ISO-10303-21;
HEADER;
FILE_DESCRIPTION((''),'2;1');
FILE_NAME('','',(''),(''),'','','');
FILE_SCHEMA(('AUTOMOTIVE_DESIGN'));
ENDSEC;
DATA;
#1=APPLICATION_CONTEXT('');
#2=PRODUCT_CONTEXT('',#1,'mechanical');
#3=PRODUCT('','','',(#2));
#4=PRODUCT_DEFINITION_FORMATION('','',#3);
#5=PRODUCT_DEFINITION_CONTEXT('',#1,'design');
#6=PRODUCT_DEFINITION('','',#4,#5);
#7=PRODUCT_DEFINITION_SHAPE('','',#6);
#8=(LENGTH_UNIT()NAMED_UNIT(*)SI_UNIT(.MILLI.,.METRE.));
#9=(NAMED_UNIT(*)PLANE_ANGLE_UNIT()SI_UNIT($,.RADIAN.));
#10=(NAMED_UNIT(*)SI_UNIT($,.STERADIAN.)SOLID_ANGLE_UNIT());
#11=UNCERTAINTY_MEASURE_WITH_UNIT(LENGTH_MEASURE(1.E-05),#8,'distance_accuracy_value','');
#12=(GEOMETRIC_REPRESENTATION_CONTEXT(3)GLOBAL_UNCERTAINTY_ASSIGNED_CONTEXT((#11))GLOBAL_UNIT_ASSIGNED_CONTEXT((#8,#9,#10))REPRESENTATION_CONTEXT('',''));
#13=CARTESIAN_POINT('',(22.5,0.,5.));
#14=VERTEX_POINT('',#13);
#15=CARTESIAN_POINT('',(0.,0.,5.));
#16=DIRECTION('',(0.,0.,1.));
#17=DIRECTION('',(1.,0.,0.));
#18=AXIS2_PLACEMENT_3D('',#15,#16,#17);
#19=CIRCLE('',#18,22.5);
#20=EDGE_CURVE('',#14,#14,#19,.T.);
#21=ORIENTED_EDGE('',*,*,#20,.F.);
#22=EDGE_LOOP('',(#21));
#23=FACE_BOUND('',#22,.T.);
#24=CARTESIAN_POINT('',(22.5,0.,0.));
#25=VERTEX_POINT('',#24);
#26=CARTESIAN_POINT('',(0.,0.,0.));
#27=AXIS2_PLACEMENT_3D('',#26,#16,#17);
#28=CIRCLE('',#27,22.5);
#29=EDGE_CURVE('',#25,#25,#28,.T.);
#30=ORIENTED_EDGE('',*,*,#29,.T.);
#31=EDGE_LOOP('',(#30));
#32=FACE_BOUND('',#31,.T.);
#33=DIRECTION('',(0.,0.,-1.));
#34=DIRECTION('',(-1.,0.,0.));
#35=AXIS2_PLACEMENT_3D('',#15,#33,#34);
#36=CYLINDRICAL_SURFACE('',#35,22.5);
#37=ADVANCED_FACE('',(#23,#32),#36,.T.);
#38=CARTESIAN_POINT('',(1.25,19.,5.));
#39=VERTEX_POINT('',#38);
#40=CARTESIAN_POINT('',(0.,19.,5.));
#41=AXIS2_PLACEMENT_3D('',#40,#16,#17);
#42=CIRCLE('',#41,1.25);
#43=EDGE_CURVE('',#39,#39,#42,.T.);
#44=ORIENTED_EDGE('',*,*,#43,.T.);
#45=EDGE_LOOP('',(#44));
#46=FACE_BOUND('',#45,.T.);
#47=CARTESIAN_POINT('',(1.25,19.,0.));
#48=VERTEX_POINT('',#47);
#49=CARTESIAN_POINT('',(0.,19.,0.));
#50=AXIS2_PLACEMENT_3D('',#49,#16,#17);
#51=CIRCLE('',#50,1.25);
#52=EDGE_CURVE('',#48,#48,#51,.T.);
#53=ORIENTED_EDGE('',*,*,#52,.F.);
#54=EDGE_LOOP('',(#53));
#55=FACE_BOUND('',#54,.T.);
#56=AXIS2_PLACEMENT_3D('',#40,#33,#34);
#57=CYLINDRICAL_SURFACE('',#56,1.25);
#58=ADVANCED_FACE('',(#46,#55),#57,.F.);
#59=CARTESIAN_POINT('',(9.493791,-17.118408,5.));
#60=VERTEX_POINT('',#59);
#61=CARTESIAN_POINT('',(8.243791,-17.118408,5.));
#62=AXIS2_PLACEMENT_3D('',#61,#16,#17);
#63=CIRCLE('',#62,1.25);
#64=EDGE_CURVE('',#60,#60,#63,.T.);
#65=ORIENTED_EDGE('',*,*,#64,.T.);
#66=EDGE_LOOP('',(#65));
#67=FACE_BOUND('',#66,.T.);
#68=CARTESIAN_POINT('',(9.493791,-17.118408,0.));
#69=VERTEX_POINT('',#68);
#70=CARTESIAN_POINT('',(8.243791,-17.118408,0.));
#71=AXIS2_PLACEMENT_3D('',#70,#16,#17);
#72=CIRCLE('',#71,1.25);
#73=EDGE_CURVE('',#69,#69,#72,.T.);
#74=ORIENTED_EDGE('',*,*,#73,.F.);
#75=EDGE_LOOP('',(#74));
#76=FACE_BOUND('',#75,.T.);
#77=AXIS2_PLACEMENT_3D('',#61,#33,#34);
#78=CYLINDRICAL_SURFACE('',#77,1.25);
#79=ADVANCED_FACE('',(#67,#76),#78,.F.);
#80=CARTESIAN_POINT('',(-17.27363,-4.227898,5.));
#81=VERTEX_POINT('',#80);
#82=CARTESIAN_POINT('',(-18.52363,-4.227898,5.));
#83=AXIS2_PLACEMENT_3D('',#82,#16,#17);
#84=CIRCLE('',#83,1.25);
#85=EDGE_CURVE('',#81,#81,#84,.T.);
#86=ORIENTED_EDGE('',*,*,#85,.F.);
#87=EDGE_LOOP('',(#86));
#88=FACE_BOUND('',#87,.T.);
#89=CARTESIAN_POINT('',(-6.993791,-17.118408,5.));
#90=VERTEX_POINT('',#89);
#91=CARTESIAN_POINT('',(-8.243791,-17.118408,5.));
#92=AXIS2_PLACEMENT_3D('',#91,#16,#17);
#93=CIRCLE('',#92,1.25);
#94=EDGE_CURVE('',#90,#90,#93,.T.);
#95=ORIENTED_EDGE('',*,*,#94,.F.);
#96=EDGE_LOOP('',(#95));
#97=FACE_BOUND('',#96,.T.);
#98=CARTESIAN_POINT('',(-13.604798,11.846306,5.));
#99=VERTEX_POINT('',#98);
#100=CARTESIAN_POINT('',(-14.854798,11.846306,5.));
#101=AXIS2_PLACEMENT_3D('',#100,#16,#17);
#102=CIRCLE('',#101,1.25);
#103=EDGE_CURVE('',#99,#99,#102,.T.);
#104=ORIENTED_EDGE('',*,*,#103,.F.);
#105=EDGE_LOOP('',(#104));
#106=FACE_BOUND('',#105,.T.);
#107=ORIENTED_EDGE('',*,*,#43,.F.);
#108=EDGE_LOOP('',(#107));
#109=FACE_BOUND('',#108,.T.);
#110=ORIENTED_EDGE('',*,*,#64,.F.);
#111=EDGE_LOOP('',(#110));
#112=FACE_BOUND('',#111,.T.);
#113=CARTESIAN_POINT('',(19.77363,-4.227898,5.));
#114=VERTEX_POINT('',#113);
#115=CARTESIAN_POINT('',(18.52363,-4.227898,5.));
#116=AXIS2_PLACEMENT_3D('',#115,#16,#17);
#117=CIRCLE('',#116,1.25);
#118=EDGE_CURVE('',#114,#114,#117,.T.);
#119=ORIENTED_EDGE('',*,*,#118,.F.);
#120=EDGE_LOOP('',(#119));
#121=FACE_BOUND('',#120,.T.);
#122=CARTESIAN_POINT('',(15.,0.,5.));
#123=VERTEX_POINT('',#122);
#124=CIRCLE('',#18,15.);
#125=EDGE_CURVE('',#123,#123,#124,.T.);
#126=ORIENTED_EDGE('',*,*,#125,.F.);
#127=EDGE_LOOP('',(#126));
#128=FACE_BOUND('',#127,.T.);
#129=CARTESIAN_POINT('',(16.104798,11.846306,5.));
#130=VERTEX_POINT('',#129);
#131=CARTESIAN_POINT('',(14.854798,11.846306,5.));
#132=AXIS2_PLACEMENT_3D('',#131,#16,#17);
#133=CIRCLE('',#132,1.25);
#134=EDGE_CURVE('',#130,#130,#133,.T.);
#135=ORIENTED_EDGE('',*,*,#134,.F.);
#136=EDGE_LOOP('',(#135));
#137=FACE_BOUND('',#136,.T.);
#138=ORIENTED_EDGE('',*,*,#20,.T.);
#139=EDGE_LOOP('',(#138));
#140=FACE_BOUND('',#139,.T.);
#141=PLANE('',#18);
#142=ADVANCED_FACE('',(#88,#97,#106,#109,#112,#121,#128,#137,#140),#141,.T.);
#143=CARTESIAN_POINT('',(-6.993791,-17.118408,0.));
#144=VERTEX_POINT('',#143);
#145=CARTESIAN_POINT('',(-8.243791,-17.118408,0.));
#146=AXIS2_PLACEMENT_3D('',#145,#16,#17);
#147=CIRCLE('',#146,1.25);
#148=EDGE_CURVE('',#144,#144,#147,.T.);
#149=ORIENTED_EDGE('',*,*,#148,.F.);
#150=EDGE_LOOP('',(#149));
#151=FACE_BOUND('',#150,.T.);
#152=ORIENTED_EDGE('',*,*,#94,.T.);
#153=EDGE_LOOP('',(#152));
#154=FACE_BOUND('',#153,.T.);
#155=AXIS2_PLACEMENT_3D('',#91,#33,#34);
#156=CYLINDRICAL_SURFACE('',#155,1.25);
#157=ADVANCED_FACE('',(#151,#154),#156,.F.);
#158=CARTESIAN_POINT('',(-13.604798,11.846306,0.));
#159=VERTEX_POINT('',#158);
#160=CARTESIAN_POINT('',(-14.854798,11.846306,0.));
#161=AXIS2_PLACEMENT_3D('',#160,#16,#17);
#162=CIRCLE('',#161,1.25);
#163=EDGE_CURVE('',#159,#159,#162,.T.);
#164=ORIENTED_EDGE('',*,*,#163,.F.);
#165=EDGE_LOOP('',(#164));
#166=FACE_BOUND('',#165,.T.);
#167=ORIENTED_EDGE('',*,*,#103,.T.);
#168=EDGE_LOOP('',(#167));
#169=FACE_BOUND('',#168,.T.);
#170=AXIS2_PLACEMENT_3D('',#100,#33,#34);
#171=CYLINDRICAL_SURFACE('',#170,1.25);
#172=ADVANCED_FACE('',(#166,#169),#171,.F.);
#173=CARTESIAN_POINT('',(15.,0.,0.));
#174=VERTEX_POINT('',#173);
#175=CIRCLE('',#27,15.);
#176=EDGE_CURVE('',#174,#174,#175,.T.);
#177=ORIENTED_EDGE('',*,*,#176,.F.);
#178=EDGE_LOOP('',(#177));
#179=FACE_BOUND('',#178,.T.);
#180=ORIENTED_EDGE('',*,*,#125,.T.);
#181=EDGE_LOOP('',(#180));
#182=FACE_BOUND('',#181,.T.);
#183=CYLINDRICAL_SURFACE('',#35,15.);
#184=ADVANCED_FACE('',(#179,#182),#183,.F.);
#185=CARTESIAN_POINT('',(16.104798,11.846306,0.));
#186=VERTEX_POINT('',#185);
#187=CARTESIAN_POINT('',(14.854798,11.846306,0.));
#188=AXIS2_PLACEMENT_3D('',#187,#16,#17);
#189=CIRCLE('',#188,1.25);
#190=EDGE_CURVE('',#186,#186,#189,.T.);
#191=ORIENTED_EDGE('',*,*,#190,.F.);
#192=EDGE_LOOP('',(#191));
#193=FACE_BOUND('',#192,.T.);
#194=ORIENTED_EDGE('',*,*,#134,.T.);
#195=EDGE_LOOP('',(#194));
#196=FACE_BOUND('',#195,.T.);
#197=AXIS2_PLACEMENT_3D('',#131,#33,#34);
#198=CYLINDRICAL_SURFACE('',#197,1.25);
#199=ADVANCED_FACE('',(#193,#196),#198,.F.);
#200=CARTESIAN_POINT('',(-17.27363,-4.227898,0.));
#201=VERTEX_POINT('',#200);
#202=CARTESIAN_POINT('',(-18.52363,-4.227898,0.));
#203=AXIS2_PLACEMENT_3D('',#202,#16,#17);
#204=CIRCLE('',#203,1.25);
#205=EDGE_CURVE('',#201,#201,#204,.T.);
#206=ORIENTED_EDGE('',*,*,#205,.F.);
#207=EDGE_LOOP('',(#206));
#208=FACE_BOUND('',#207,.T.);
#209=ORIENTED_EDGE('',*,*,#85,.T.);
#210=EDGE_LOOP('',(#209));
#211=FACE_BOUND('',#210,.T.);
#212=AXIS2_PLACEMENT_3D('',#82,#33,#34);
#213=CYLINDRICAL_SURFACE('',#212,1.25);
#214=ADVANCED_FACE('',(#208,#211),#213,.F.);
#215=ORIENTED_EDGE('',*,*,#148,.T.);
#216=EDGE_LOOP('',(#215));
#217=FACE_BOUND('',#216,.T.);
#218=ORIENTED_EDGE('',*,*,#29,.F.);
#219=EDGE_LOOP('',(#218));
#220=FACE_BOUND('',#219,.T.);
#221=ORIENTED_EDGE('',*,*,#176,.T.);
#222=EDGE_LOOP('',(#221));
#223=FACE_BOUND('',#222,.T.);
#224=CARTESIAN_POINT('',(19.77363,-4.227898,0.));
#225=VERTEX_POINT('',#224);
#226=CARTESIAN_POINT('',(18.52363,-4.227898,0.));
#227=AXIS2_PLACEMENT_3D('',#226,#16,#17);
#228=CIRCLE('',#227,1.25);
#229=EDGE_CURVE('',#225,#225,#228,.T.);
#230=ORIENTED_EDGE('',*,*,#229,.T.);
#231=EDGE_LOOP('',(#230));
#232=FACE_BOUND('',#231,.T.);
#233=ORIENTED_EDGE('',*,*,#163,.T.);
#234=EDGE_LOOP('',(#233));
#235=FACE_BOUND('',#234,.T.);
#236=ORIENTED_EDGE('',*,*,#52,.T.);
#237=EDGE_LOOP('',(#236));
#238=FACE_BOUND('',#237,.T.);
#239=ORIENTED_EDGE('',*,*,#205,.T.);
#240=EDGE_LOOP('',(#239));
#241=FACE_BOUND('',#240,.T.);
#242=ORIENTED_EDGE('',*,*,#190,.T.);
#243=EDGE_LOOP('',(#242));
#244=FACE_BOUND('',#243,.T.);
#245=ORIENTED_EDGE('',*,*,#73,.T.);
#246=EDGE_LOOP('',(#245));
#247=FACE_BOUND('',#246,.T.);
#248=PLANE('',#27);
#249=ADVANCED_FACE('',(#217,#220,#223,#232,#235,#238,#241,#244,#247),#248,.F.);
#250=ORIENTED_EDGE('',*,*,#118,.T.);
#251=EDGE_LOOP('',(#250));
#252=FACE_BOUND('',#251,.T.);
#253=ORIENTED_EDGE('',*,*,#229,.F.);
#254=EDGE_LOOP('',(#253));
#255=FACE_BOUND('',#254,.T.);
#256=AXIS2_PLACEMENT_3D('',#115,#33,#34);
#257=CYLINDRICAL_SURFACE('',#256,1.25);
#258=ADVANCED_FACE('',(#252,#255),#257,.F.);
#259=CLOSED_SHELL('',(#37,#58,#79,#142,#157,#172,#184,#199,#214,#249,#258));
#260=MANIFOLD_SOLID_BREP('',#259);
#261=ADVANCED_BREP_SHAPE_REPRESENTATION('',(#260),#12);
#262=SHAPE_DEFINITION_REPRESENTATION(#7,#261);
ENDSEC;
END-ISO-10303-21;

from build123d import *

# Parameters (mm, degrees)
SKETCH1_R           = 22.5
SKETCH1_R_2         = 1.25
SKETCH1_R_3         = 15
BOSS_EXTRUDE1_DEPTH = 5


with BuildPart() as part:
    # Sketch1 → Boss-Extrude1 (new body)
    with BuildSketch(Plane.XY):
        Circle(SKETCH1_R)
        with Locations((0, 19)):
            Circle(SKETCH1_R_2, mode=Mode.SUBTRACT)
        with Locations((14.854798167, 11.846306235)):
            Circle(SKETCH1_R_2, mode=Mode.SUBTRACT)
        with Locations((18.523630331, -4.227897745)):
            Circle(SKETCH1_R_2, mode=Mode.SUBTRACT)
        with Locations((8.243791043, -17.11840849)):
            Circle(SKETCH1_R_2, mode=Mode.SUBTRACT)
        with Locations((-8.243791043, -17.11840849)):
            Circle(SKETCH1_R_2, mode=Mode.SUBTRACT)
        with Locations((-18.523630331, -4.227897745)):
            Circle(SKETCH1_R_2, mode=Mode.SUBTRACT)
        Circle(SKETCH1_R_3, mode=Mode.SUBTRACT)
        with Locations((-14.854798167, 11.846306235)):
            Circle(SKETCH1_R_2, mode=Mode.SUBTRACT)
    extrude(amount=BOSS_EXTRUDE1_DEPTH)


solid = part.part
